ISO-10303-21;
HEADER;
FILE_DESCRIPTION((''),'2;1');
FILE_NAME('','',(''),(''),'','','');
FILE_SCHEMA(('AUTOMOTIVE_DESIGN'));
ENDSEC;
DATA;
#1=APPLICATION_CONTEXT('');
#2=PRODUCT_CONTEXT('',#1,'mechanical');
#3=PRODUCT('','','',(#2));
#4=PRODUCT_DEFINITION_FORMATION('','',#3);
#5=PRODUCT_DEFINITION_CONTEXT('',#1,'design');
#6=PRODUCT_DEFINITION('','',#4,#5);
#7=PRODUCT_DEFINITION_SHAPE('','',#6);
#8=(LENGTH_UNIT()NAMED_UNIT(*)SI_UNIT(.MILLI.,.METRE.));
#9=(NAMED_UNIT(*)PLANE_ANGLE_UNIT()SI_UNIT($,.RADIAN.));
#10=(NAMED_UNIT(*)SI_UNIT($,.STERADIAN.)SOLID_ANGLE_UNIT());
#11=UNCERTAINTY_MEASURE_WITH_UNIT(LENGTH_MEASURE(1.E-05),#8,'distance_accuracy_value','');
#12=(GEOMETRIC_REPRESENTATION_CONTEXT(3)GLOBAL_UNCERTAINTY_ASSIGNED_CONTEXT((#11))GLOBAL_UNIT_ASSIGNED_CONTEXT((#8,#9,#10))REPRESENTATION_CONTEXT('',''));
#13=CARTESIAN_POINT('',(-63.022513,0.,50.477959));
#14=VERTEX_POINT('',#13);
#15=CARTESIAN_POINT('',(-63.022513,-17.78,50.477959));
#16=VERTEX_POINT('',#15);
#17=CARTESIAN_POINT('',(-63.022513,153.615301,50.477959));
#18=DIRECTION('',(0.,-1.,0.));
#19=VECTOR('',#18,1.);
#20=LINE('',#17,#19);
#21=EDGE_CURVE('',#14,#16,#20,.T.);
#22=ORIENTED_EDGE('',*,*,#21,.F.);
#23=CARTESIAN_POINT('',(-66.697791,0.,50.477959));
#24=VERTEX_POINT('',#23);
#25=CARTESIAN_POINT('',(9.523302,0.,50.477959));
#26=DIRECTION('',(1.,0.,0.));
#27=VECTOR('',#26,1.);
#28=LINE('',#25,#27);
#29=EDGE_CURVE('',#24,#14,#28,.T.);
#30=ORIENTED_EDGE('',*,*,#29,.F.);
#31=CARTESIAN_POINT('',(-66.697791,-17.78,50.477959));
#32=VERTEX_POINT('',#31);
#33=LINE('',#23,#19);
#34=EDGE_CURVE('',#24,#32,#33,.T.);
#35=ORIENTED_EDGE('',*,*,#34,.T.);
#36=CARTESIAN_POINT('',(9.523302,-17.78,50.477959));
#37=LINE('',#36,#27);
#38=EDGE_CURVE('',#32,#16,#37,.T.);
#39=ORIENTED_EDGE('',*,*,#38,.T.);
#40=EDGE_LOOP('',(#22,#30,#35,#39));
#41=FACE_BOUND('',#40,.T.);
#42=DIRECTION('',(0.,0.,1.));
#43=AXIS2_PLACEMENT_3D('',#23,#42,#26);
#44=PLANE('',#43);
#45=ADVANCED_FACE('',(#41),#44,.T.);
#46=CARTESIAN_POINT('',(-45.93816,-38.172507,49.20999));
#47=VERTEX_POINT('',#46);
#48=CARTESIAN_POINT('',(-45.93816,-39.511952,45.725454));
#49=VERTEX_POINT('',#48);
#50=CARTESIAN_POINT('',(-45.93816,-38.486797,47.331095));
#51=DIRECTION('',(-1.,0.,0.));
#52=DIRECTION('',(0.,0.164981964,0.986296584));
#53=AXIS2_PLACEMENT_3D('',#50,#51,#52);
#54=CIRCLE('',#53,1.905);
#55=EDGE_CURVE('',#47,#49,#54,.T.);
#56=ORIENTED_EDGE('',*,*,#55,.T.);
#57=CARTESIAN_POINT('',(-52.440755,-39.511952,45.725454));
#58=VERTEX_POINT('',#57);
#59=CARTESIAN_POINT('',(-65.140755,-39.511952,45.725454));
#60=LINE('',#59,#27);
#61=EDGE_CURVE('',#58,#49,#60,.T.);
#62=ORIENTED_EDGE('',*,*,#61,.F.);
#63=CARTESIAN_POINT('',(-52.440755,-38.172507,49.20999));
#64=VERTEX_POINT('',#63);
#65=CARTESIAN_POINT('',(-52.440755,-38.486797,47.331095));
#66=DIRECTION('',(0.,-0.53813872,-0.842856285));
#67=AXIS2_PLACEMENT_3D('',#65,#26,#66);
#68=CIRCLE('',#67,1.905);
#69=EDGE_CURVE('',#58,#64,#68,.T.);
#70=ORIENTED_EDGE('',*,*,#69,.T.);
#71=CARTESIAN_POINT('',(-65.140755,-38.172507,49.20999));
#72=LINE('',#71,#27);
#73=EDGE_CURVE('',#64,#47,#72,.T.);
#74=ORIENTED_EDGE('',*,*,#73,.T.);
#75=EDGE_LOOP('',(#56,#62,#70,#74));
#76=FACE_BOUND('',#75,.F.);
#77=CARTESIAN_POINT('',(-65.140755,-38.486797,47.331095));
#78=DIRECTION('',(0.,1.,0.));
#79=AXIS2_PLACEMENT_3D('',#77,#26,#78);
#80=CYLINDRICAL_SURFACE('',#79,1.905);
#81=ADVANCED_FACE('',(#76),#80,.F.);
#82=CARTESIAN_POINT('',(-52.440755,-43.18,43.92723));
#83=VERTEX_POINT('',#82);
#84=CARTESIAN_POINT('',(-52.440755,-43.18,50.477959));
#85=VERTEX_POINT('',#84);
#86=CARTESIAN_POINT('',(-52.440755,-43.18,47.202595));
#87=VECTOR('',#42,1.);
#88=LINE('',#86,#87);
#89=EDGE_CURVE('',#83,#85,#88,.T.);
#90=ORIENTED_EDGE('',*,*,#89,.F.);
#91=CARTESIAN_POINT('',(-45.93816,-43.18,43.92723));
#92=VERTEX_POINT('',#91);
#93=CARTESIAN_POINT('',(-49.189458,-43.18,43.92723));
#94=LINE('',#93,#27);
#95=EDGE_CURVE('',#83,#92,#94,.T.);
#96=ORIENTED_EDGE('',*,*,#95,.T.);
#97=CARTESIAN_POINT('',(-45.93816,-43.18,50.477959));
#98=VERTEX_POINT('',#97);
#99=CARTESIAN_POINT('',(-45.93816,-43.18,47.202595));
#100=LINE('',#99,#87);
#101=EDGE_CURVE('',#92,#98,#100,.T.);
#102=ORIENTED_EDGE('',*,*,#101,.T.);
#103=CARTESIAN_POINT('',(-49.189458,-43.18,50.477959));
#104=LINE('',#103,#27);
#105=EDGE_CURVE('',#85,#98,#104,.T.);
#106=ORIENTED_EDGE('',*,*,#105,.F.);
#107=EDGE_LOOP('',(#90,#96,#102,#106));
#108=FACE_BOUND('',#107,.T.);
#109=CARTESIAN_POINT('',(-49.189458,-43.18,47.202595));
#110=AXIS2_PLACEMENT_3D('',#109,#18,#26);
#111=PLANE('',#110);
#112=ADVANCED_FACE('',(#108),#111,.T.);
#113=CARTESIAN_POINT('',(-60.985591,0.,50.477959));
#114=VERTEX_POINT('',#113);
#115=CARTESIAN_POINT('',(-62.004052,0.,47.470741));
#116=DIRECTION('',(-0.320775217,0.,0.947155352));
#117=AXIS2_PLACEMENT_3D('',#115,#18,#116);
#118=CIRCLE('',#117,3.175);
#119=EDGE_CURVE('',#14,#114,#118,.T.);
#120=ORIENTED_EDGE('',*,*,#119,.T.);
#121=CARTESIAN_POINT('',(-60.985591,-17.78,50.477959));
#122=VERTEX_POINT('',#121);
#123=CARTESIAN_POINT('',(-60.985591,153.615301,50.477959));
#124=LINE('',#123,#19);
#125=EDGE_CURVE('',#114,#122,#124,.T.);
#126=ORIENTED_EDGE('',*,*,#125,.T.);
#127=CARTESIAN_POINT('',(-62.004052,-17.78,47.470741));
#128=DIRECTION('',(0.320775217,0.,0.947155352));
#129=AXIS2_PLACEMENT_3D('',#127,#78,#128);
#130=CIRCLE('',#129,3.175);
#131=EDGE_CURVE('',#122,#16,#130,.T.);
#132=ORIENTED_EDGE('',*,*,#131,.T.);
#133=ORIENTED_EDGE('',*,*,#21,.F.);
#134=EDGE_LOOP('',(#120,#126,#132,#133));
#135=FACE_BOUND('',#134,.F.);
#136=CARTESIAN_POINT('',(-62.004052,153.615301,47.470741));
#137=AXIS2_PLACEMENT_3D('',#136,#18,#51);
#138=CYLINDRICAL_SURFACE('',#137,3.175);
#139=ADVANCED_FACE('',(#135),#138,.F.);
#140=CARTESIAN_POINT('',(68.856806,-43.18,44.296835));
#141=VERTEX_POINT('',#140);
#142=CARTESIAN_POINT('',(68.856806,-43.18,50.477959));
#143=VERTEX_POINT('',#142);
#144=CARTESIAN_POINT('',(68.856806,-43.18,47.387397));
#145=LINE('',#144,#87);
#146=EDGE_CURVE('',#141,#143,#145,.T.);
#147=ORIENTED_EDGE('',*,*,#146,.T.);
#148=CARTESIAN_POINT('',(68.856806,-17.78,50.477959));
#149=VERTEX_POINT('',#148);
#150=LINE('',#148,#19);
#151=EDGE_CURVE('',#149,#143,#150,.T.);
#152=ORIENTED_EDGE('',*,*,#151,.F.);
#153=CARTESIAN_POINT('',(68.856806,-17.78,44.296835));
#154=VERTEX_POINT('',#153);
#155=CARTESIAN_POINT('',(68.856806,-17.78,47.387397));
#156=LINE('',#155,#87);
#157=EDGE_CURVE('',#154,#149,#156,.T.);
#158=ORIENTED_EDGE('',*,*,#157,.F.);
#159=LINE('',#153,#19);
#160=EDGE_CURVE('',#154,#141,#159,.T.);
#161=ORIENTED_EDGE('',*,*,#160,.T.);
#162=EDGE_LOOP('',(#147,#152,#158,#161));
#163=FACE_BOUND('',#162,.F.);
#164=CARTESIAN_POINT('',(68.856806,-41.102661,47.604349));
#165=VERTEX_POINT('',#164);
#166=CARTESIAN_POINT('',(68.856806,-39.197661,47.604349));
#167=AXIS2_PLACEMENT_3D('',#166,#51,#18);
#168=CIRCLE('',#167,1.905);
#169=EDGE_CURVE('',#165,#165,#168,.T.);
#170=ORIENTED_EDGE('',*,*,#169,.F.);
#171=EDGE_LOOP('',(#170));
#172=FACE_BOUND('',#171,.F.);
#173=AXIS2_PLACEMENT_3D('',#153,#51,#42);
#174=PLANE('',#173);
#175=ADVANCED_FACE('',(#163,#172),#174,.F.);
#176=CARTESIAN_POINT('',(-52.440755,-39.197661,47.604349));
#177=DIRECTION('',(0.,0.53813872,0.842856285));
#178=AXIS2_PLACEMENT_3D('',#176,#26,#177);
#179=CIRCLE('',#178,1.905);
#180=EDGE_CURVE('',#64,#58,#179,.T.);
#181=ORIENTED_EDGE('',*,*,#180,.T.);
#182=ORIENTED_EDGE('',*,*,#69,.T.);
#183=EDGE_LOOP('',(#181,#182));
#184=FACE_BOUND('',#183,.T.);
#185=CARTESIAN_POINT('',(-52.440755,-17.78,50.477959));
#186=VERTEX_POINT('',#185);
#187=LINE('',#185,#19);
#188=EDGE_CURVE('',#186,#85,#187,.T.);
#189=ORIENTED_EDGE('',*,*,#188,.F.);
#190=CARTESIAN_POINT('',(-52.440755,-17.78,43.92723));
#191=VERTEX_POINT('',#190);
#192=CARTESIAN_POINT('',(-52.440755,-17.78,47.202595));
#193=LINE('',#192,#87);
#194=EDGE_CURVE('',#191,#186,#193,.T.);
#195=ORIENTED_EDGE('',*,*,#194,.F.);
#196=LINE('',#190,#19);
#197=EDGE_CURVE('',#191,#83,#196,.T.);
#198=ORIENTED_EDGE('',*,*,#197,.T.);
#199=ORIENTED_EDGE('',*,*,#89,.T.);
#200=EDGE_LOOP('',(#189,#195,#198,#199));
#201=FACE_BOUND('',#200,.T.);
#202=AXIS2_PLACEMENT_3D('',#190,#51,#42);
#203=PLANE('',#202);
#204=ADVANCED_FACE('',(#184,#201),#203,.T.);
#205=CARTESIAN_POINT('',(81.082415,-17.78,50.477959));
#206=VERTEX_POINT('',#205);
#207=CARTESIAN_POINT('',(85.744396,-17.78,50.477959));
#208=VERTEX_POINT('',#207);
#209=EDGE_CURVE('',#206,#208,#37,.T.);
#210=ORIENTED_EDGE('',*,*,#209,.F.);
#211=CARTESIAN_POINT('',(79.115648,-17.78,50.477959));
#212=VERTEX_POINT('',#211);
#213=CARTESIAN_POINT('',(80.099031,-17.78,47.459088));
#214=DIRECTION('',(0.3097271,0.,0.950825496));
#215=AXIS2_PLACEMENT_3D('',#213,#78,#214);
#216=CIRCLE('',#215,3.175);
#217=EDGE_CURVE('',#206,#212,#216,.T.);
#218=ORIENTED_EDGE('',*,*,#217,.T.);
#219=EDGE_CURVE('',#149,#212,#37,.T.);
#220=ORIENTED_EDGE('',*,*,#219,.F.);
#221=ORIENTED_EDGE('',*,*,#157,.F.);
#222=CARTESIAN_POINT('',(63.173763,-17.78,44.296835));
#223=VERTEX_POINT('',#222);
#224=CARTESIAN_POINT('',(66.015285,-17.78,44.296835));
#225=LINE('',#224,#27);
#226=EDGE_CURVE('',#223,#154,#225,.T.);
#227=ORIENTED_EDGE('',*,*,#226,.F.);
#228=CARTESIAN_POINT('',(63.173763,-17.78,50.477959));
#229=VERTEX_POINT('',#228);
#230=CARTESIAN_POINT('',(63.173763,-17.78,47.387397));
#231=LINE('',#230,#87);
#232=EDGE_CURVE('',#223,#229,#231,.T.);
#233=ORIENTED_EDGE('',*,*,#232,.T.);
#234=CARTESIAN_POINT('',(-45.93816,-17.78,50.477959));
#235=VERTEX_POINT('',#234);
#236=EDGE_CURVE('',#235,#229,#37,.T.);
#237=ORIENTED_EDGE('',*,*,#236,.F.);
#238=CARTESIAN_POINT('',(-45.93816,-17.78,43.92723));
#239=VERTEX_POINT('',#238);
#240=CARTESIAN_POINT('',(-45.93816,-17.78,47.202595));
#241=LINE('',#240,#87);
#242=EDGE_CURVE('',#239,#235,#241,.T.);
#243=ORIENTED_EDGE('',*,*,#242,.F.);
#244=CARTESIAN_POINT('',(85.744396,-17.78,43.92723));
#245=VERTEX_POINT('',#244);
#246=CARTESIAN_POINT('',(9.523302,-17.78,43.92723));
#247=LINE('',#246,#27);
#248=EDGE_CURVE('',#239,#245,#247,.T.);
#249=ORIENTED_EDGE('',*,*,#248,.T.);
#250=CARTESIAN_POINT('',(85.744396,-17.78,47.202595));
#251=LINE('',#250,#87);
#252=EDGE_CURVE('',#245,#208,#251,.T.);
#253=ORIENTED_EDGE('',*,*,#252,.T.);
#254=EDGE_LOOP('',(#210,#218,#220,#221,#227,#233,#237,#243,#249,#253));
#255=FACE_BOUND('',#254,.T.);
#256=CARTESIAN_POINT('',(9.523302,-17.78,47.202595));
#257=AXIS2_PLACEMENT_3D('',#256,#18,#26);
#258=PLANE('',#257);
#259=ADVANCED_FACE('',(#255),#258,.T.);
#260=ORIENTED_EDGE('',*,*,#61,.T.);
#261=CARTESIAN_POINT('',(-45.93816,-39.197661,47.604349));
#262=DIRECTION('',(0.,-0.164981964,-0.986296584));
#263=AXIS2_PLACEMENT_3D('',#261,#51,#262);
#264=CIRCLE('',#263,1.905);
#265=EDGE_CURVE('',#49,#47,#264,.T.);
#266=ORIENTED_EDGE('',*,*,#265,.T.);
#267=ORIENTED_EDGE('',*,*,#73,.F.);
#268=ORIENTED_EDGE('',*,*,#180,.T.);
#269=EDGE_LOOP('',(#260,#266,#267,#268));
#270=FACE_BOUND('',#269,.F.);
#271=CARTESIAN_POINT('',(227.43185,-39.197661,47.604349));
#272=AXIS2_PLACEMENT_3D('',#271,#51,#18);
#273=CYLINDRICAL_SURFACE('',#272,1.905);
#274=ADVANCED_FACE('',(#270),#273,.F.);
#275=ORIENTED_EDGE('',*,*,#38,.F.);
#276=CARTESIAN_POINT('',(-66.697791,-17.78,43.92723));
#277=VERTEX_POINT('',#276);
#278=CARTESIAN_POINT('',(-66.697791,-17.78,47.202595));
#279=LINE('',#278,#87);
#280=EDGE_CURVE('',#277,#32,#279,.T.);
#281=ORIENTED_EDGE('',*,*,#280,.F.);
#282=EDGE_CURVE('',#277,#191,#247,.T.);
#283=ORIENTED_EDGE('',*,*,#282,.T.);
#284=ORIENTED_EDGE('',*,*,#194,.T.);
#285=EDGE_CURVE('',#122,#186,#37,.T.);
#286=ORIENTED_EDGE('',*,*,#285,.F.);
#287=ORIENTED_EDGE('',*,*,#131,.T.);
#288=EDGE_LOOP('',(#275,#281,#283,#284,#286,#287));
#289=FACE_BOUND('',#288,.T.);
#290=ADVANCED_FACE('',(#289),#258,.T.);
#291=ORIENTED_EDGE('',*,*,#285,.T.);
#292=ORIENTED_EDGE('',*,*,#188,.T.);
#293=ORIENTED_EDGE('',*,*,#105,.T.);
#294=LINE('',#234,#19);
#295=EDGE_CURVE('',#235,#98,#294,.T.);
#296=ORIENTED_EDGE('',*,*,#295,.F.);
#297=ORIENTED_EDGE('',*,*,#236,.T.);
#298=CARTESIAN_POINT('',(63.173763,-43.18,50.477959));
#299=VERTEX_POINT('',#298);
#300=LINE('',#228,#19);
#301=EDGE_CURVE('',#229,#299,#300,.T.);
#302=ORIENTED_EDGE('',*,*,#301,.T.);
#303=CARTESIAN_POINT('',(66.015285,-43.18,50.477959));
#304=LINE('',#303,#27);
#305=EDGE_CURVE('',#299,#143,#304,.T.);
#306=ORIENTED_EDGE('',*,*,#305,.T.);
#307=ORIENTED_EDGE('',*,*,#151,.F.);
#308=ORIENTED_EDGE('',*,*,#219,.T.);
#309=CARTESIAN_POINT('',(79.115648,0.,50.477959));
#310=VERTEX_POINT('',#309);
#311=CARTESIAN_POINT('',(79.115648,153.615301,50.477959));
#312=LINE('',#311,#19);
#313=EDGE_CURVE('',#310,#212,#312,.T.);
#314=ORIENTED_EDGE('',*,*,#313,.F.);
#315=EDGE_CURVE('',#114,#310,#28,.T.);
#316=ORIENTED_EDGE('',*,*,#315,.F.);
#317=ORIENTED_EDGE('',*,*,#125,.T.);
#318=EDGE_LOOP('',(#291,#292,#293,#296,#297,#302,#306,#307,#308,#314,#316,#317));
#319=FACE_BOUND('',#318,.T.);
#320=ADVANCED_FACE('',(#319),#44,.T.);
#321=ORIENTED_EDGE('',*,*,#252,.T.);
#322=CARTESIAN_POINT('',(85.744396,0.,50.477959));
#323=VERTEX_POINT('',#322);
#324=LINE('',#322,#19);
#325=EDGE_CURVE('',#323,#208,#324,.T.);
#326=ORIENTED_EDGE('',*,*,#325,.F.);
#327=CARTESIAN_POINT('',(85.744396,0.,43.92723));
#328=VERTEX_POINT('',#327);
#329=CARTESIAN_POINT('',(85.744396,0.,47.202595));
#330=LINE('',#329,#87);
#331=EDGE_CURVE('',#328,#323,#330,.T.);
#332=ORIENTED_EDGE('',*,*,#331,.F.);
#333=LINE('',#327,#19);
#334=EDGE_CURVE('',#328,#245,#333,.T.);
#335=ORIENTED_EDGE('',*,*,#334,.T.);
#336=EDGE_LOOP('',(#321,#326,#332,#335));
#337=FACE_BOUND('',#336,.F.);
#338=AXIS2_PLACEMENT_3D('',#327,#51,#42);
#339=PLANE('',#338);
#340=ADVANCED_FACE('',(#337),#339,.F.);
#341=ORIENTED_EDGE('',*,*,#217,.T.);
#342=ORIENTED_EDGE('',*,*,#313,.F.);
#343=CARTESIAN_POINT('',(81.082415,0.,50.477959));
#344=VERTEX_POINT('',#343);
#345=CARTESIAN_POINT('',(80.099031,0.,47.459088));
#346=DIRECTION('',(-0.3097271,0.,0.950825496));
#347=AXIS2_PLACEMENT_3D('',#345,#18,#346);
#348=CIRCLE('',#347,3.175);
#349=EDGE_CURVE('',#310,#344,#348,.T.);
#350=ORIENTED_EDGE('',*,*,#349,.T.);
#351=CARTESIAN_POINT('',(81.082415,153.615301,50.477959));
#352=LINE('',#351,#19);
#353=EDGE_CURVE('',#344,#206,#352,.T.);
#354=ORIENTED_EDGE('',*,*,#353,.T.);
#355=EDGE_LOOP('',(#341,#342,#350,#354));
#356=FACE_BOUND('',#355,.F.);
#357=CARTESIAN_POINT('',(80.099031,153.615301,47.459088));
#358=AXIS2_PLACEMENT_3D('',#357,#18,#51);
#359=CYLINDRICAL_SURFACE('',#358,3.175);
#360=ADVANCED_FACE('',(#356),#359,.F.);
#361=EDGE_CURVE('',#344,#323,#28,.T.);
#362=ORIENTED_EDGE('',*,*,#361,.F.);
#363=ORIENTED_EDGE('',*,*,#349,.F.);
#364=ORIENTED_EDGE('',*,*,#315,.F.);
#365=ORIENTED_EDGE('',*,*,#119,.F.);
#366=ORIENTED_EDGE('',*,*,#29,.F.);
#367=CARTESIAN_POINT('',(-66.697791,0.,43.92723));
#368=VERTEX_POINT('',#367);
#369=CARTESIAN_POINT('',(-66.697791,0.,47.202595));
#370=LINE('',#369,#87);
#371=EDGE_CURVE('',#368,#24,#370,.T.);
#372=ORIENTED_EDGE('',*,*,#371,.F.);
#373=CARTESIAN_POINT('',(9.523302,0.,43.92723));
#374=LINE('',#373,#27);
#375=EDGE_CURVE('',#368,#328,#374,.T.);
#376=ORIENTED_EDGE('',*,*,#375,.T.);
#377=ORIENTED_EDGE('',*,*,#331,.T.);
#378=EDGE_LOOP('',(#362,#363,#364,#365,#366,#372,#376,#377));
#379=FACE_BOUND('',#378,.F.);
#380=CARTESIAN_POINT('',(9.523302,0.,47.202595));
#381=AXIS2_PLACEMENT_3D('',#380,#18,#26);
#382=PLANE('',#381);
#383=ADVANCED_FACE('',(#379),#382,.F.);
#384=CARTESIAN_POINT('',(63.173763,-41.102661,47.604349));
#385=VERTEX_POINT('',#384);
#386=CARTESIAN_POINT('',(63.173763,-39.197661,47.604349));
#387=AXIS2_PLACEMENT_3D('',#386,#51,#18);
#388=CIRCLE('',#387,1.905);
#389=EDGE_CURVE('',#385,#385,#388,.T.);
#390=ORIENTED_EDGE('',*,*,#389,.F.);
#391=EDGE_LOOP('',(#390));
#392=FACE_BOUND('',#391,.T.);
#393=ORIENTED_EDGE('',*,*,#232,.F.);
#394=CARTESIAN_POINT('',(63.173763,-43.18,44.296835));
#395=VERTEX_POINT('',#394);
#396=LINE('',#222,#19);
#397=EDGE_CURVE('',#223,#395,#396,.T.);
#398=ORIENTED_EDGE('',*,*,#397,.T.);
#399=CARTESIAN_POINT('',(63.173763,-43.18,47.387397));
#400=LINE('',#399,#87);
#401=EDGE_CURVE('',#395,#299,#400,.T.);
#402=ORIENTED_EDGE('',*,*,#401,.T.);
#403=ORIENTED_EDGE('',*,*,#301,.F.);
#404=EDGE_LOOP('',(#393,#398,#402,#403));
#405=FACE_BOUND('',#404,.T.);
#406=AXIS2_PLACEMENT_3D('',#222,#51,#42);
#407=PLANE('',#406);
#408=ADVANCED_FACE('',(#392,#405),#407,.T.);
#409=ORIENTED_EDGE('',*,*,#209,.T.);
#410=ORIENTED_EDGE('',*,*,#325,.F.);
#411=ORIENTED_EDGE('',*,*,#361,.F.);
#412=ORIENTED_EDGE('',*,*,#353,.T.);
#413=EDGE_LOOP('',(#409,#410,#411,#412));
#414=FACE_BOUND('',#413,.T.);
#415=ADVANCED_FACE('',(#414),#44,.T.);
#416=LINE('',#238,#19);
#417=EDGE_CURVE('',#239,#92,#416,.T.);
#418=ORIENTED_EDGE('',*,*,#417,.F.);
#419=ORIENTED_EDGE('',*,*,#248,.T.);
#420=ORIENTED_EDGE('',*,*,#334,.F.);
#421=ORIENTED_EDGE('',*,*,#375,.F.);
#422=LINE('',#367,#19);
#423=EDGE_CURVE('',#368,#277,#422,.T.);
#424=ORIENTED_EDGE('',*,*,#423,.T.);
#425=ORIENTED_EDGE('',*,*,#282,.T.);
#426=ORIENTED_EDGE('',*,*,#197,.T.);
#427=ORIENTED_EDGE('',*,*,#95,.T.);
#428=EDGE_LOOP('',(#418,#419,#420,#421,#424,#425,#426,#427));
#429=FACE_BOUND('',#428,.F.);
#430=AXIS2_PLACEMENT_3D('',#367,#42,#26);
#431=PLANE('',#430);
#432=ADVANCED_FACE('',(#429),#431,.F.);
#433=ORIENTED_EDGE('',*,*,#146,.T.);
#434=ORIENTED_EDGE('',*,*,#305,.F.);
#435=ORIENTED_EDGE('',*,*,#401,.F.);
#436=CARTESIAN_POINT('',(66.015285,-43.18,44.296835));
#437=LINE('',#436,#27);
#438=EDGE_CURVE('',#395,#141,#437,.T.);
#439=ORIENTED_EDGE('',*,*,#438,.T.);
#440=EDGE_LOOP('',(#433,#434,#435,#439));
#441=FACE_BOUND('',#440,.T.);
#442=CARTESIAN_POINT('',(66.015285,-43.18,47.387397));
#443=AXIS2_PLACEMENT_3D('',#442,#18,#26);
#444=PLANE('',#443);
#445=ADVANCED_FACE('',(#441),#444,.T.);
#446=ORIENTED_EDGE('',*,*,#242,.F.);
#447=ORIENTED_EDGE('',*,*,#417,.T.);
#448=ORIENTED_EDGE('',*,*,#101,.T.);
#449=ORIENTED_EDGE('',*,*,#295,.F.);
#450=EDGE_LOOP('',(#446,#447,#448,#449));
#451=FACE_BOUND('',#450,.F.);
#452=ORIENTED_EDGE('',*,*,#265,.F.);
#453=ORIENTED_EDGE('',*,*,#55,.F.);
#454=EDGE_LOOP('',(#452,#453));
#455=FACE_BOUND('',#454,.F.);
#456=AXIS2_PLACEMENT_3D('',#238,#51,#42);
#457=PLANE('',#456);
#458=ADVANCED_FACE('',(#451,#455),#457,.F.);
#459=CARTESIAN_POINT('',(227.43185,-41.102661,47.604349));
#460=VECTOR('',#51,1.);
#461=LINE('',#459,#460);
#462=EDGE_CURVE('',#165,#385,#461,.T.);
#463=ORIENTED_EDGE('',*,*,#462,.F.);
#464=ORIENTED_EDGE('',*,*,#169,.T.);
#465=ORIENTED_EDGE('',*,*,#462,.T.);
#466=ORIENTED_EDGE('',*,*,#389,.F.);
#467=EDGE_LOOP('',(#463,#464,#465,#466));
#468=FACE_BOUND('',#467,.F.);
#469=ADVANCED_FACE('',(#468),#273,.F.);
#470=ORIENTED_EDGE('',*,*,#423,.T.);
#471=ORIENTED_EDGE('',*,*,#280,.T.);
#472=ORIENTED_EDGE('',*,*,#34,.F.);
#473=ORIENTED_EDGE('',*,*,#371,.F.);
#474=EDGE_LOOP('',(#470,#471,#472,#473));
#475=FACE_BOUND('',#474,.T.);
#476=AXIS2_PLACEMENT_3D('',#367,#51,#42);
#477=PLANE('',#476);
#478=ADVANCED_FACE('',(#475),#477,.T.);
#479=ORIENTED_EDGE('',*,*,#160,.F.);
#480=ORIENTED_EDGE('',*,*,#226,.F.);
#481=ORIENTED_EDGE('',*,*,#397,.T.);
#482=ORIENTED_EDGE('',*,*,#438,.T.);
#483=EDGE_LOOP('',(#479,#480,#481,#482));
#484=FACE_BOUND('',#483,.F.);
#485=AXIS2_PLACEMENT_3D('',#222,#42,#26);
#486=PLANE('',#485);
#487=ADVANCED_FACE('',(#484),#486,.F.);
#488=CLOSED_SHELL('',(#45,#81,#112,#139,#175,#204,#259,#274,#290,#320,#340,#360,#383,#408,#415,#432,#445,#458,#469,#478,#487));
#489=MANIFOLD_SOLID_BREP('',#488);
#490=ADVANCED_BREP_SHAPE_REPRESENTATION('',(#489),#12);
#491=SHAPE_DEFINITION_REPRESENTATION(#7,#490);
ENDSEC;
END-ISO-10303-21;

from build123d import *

# Parameters (mm, degrees)
F0_W       = 152.4421870708
F0_H       = 6.5507292747
F3_DEPTH   = 17.78
F4_D       = 6.35
F4_ON_F2_D = 6.35
F6_W       = 5.683042109
F6_H       = 6.1811245978
F7_DEPTH   = 25.4
F5_W       = 6.5025947988
F5_H       = 6.5507292747
F8_DEPTH   = 25.4
F10_D      = 3.81
F10_DEPTH  = 12.7
F10_TIP    = 1.1446394792
F12_D      = 3.81


with BuildPart() as f3:
    # F0 (on Front) → F3 (new body)
    with BuildSketch(Plane.XZ):
        with Locations((9.5233023167, 47.2025945783)):
            Rectangle(F0_W, F0_H)
    extrude(amount=F3_DEPTH)

    # F4 (through all)
    with Locations(Plane(origin=(0, 0, 0), x_dir=(1, 0, 0), z_dir=(0, 1, 0))):
        with Locations((-62.0040521026, -47.4707409739)):
            Hole(F4_D / 2)

    # F4 on F2 (through all)
    with Locations(Plane(origin=(0, 0, 0), x_dir=(1, 0, 0), z_dir=(0, 1, 0))):
        with Locations((80.0990313292, -47.4590882659)):
            Hole(F4_ON_F2_D / 2)

    # F6 (on face) → F7 (join)
    with BuildSketch(Plane.XZ.offset(17.78)):
        with Locations((66.0152845085, 47.3873969167)):
            Rectangle(F6_W, F6_H)
    extrude(amount=F7_DEPTH)

    # F5 (on face) → F8 (join)
    with BuildSketch(Plane.XZ.offset(17.78)):
        with Locations((-49.1894576699, 47.2025945783)):
            Rectangle(F5_W, F5_H)
    extrude(amount=F8_DEPTH)

    # F10
    with Locations(Plane(origin=(-52.4407550693, 0, 0), x_dir=(0, -1, 0), z_dir=(-1, 0, 0))):
        with Locations((38.4867973626, 47.3310947418)):
            Hole(F10_D / 2, depth=F10_DEPTH)
            with Locations((0, 0, -(F10_DEPTH + F10_TIP / 2))):  # 118° drill point
                Cone(0, F10_D / 2, F10_TIP, mode=Mode.SUBTRACT)

    # F12 (through all)
    with Locations(Plane.YZ.offset(68.856805563)):
        with Locations((-39.1976609826, 47.6043485105)):
            Hole(F12_D / 2)


solid = f3.part
